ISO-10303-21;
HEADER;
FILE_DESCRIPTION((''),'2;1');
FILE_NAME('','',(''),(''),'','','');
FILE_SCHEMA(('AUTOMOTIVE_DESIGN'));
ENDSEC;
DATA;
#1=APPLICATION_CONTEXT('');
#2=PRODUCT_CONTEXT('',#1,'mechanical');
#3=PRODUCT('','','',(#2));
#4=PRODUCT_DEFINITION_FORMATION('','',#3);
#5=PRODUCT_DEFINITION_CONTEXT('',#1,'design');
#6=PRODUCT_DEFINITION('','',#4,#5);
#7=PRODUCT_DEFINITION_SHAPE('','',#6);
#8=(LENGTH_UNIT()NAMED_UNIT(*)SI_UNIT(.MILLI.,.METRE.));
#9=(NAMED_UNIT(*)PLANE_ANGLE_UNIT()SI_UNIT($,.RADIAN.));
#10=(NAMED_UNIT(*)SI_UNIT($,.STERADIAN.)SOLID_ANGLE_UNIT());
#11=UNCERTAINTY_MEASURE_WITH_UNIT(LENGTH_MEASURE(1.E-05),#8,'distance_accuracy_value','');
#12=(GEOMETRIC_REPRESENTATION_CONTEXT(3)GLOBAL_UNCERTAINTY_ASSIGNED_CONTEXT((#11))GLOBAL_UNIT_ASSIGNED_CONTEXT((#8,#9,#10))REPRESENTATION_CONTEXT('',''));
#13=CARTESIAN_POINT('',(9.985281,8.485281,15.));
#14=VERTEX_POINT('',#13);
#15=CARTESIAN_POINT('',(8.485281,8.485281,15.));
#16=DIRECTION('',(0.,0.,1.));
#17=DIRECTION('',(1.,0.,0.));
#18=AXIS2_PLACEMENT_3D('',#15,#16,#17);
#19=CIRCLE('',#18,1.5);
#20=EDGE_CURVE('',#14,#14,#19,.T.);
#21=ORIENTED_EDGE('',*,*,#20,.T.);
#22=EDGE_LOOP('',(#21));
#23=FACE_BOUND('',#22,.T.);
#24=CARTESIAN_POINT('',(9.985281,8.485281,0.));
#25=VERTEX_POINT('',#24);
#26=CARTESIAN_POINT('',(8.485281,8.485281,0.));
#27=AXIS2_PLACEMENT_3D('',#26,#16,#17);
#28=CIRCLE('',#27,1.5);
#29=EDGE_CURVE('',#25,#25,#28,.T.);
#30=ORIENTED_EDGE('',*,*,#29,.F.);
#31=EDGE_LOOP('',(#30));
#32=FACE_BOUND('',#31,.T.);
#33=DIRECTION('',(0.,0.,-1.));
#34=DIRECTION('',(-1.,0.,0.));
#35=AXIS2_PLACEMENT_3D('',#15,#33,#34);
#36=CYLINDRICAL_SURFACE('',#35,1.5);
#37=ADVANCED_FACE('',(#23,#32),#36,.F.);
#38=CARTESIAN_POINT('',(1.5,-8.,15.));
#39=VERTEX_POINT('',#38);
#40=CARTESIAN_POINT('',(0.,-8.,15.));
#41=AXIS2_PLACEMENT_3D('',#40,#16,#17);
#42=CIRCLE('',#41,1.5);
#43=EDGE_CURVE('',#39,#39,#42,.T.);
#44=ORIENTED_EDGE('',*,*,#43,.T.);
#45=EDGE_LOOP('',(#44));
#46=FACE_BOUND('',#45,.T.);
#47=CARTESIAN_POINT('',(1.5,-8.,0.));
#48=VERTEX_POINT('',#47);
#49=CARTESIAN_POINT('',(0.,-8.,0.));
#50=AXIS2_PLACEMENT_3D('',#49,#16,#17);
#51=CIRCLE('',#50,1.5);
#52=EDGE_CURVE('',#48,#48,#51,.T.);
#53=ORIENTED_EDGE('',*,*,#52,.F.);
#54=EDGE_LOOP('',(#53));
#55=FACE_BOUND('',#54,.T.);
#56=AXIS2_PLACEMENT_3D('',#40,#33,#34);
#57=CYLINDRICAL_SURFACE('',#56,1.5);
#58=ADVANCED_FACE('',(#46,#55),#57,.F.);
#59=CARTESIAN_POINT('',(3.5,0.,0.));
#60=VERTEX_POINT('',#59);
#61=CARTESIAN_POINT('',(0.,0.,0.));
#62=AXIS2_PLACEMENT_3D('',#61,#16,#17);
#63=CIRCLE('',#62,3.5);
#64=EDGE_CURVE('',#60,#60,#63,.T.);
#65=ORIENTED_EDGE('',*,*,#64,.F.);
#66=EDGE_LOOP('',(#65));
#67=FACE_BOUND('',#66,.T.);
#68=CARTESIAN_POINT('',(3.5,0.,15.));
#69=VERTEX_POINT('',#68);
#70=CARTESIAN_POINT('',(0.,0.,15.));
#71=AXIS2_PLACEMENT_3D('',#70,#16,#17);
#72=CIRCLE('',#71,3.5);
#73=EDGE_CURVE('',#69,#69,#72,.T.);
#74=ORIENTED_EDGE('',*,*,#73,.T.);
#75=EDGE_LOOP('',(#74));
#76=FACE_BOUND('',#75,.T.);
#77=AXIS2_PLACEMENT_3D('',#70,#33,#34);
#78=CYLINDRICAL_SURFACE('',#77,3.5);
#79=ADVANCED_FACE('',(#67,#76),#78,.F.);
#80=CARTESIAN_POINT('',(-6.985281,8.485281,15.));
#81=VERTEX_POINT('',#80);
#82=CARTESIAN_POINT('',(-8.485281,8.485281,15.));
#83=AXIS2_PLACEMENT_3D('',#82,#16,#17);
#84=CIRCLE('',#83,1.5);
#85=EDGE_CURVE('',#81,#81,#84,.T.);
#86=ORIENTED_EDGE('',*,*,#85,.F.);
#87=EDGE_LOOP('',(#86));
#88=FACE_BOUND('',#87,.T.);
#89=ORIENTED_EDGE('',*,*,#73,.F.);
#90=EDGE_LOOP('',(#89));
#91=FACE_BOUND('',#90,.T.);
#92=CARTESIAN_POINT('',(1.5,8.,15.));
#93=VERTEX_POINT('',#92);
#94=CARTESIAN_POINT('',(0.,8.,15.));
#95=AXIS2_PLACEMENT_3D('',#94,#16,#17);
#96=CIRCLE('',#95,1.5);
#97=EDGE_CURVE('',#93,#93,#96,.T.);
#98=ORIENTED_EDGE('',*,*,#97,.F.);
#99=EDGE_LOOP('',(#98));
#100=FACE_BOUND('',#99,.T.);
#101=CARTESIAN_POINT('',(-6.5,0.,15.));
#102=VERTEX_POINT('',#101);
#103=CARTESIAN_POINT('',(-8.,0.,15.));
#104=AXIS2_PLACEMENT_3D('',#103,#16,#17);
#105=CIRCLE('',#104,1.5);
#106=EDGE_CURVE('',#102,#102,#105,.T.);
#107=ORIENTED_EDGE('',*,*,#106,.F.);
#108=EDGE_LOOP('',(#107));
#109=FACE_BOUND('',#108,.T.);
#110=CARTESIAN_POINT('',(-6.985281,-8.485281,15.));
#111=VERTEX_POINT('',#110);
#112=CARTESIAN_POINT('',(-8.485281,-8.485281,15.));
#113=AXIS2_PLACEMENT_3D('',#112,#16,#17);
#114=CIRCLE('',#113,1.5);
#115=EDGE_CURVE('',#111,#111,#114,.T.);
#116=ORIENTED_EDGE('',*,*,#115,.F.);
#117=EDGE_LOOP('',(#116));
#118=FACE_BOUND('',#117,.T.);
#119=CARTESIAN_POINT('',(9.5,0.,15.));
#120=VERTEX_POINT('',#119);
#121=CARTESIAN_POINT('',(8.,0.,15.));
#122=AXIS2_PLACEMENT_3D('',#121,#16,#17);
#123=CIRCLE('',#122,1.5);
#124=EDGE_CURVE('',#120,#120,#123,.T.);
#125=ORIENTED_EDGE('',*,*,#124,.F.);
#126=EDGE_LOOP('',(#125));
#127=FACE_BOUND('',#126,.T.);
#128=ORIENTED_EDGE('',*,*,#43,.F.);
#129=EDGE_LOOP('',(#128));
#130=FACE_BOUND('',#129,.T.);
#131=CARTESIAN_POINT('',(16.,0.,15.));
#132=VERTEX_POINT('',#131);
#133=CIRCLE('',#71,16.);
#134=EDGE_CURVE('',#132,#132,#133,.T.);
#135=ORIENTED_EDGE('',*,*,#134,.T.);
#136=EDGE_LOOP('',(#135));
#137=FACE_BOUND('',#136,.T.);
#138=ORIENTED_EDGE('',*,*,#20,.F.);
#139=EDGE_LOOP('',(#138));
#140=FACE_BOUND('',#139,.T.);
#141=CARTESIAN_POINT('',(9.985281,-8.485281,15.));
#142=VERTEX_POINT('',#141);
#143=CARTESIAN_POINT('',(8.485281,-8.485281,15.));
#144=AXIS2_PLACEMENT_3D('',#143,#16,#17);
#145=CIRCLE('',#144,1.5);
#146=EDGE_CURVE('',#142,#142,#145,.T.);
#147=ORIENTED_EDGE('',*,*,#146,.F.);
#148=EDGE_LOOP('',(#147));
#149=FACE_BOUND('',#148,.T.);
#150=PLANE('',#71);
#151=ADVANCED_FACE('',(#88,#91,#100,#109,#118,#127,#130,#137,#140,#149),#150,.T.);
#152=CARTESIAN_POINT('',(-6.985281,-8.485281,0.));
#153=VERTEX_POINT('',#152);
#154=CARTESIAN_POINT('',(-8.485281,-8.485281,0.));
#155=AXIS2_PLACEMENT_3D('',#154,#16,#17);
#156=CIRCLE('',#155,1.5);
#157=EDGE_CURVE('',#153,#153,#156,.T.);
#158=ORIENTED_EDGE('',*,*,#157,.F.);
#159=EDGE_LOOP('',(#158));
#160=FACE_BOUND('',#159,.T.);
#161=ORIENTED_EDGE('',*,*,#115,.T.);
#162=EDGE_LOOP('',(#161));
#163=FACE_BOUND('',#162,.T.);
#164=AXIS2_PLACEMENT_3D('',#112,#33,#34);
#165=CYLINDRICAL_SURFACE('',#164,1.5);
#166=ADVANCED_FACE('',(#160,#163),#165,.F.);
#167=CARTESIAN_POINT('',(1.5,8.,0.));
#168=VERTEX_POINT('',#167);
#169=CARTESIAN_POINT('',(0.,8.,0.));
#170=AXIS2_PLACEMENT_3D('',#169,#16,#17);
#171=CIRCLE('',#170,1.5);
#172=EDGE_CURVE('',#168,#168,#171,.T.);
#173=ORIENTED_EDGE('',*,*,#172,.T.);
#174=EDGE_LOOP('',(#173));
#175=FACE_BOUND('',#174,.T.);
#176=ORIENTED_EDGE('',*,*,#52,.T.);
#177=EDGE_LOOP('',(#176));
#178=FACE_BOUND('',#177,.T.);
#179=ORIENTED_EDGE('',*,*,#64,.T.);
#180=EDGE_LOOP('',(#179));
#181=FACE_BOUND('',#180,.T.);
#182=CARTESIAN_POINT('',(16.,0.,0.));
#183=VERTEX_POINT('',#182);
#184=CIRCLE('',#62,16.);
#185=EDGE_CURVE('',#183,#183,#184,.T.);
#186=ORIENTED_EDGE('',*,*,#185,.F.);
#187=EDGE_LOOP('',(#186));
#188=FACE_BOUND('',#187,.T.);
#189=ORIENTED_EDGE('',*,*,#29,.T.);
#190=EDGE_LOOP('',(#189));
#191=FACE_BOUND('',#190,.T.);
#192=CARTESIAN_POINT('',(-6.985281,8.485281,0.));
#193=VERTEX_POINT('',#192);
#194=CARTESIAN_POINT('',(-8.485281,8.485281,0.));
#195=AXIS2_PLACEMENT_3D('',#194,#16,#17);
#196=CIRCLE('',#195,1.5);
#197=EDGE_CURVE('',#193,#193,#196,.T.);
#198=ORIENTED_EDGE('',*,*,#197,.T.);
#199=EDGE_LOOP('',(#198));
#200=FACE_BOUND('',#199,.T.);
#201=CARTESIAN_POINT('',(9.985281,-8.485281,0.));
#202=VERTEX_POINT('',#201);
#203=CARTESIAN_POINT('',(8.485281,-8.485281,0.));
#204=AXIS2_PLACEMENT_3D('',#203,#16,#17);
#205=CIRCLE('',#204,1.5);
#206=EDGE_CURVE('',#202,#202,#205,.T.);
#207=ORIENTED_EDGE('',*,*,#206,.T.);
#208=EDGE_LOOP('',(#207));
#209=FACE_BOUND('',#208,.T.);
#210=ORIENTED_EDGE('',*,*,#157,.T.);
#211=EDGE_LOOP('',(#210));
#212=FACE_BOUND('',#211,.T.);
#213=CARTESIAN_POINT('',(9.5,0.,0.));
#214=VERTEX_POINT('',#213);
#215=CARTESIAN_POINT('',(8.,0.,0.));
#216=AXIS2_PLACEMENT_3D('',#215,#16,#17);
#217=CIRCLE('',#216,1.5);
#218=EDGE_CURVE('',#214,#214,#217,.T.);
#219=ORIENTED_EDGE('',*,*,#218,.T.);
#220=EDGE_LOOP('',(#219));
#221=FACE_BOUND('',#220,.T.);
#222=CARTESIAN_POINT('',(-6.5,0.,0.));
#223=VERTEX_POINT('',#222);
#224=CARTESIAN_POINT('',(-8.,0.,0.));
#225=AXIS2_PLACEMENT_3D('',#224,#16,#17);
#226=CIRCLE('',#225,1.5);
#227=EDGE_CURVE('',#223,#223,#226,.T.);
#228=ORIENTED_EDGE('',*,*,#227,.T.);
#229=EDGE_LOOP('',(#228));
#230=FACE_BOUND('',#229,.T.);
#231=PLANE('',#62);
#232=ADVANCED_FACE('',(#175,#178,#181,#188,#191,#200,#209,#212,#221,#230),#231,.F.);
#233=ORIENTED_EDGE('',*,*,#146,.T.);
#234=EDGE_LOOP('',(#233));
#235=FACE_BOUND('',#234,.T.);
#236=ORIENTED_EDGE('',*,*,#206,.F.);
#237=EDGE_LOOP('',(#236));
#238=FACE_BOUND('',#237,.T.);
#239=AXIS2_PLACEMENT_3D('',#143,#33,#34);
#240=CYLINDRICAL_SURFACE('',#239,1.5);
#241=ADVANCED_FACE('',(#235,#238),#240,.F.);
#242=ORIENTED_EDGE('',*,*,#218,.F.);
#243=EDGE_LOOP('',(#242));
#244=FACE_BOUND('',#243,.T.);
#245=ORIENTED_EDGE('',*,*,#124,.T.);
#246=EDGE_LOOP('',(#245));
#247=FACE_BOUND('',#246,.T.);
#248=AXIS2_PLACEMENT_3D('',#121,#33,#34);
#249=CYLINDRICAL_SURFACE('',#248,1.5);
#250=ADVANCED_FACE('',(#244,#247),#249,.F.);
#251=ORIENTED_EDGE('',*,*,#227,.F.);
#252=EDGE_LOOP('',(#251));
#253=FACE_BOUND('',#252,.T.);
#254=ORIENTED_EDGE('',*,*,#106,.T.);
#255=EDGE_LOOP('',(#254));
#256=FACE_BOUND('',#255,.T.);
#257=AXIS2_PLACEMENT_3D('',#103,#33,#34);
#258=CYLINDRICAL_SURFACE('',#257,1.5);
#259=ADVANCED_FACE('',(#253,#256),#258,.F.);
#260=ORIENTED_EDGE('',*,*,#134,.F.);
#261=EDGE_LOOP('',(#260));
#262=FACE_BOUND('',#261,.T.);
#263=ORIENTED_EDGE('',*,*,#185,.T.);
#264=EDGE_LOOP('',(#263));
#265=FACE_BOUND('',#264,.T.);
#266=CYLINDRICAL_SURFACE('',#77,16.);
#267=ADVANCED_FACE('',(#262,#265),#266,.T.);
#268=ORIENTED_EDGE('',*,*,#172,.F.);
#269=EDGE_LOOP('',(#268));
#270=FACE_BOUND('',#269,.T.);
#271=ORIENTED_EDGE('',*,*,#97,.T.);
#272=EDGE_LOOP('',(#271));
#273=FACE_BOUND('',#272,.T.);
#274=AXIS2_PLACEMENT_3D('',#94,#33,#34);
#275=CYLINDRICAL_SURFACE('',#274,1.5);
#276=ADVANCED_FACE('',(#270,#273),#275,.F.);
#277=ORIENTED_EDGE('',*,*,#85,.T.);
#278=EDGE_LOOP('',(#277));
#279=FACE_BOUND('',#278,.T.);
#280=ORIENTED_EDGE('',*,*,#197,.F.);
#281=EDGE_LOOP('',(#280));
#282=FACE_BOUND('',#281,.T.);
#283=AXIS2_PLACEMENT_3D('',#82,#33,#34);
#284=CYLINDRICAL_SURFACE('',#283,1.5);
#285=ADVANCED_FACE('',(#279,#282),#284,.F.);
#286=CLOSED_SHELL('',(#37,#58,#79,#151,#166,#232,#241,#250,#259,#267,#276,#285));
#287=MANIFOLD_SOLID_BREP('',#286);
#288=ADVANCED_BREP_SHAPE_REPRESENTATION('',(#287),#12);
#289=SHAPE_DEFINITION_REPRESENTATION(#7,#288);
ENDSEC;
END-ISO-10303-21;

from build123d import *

# Parameters (mm, degrees)
SKETCH_1_R      = 16
SKETCH_1_R_2    = 1.5
SKETCH_1_R_3    = 3.5
EXTRUDE_1_DEPTH = 15


with BuildPart() as part:
    # 草图1 → 凸台-拉伸1 (new body)
    with BuildSketch(Plane.XY):
        Circle(SKETCH_1_R)
        with Locations((0, 8)):
            Circle(SKETCH_1_R_2, mode=Mode.SUBTRACT)
        with Locations((8, 0)):
            Circle(SKETCH_1_R_2, mode=Mode.SUBTRACT)
        with Locations((0, -8)):
            Circle(SKETCH_1_R_2, mode=Mode.SUBTRACT)
        with Locations((-8, 0)):
            Circle(SKETCH_1_R_2, mode=Mode.SUBTRACT)
        with Locations((8.485281374, 8.485281374)):
            Circle(SKETCH_1_R_2, mode=Mode.SUBTRACT)
        with Locations((8.485281374, -8.485281374)):
            Circle(SKETCH_1_R_2, mode=Mode.SUBTRACT)
        with Locations((-8.485281374, -8.485281374)):
            Circle(SKETCH_1_R_2, mode=Mode.SUBTRACT)
        with Locations((-8.485281374, 8.485281374)):
            Circle(SKETCH_1_R_2, mode=Mode.SUBTRACT)
        Circle(SKETCH_1_R_3, mode=Mode.SUBTRACT)
    extrude(amount=EXTRUDE_1_DEPTH)


solid = part.part
